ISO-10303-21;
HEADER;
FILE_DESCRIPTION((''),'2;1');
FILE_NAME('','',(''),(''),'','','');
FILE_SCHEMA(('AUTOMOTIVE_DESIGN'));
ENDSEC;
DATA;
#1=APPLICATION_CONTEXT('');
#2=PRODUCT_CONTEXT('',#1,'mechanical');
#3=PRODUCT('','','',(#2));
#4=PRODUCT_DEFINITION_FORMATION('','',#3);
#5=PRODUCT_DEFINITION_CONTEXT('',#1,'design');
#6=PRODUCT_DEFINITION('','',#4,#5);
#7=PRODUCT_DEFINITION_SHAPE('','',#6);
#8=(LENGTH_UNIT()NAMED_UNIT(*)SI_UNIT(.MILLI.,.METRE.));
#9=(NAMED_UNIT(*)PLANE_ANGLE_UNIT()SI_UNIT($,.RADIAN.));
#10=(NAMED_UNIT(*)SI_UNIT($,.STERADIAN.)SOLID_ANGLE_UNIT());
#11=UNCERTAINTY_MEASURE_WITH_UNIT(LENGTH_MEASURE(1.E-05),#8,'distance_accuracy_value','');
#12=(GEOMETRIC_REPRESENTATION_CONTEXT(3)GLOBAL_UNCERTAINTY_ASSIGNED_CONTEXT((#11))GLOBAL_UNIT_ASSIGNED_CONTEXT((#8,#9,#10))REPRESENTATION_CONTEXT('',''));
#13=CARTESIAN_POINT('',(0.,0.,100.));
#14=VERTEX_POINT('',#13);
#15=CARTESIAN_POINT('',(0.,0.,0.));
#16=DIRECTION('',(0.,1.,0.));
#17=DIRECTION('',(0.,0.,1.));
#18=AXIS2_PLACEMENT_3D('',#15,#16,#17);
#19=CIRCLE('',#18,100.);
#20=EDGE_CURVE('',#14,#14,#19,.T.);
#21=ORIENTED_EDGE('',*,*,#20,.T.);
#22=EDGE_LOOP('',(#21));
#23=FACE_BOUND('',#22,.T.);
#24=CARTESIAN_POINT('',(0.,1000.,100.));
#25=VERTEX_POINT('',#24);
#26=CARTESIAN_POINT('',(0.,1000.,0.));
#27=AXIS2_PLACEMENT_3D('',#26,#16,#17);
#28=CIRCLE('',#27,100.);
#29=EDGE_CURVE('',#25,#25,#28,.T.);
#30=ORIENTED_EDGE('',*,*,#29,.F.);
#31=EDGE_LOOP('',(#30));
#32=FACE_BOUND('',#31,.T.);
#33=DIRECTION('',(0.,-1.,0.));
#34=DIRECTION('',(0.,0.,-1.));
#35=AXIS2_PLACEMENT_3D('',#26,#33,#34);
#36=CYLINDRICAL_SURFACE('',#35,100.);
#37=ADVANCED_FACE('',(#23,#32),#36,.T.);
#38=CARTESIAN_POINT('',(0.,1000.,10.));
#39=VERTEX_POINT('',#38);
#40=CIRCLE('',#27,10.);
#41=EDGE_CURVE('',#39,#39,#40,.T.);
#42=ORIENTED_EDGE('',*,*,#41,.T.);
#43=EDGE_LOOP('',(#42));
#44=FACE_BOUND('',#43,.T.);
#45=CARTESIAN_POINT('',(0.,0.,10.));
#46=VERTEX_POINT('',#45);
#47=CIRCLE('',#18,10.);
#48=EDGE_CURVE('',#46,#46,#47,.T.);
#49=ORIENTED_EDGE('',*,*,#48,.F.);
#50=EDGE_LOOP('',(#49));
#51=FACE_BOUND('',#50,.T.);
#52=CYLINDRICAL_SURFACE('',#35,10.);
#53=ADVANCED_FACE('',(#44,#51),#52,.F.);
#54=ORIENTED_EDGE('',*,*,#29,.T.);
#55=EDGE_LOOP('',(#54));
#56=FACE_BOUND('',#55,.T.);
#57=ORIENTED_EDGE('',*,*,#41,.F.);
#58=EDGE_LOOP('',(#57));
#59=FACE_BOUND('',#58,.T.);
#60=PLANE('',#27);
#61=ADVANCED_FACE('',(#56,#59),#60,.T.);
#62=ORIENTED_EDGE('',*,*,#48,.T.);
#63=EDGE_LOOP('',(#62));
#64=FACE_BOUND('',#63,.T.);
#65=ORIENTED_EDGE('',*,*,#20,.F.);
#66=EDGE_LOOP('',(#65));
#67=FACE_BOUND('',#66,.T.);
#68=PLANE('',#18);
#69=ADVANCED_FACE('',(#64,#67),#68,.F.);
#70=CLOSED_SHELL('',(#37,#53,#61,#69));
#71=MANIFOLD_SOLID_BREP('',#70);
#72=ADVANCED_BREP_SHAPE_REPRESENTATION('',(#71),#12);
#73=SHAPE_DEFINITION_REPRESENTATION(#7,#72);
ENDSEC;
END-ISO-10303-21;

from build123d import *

# Parameters (mm, degrees)
SKETCH1_R           = 100
SKETCH1_R_2         = 10
BOSS_EXTRUDE1_DEPTH = 1000


with BuildPart() as part:
    # Sketch1 → Boss-Extrude1 (new body)
    with BuildSketch(Plane(origin=(0, 0, 0), x_dir=(1, 0, 0), z_dir=(0, 1, 0))):
        with Locations(Location((0, 0, 0), (0, 0, 270))):
            Circle(SKETCH1_R)
        with Locations(Location((0, 0, 0), (0, 0, 270))):
            Circle(SKETCH1_R_2, mode=Mode.SUBTRACT)
    extrude(amount=BOSS_EXTRUDE1_DEPTH)


solid = part.part
